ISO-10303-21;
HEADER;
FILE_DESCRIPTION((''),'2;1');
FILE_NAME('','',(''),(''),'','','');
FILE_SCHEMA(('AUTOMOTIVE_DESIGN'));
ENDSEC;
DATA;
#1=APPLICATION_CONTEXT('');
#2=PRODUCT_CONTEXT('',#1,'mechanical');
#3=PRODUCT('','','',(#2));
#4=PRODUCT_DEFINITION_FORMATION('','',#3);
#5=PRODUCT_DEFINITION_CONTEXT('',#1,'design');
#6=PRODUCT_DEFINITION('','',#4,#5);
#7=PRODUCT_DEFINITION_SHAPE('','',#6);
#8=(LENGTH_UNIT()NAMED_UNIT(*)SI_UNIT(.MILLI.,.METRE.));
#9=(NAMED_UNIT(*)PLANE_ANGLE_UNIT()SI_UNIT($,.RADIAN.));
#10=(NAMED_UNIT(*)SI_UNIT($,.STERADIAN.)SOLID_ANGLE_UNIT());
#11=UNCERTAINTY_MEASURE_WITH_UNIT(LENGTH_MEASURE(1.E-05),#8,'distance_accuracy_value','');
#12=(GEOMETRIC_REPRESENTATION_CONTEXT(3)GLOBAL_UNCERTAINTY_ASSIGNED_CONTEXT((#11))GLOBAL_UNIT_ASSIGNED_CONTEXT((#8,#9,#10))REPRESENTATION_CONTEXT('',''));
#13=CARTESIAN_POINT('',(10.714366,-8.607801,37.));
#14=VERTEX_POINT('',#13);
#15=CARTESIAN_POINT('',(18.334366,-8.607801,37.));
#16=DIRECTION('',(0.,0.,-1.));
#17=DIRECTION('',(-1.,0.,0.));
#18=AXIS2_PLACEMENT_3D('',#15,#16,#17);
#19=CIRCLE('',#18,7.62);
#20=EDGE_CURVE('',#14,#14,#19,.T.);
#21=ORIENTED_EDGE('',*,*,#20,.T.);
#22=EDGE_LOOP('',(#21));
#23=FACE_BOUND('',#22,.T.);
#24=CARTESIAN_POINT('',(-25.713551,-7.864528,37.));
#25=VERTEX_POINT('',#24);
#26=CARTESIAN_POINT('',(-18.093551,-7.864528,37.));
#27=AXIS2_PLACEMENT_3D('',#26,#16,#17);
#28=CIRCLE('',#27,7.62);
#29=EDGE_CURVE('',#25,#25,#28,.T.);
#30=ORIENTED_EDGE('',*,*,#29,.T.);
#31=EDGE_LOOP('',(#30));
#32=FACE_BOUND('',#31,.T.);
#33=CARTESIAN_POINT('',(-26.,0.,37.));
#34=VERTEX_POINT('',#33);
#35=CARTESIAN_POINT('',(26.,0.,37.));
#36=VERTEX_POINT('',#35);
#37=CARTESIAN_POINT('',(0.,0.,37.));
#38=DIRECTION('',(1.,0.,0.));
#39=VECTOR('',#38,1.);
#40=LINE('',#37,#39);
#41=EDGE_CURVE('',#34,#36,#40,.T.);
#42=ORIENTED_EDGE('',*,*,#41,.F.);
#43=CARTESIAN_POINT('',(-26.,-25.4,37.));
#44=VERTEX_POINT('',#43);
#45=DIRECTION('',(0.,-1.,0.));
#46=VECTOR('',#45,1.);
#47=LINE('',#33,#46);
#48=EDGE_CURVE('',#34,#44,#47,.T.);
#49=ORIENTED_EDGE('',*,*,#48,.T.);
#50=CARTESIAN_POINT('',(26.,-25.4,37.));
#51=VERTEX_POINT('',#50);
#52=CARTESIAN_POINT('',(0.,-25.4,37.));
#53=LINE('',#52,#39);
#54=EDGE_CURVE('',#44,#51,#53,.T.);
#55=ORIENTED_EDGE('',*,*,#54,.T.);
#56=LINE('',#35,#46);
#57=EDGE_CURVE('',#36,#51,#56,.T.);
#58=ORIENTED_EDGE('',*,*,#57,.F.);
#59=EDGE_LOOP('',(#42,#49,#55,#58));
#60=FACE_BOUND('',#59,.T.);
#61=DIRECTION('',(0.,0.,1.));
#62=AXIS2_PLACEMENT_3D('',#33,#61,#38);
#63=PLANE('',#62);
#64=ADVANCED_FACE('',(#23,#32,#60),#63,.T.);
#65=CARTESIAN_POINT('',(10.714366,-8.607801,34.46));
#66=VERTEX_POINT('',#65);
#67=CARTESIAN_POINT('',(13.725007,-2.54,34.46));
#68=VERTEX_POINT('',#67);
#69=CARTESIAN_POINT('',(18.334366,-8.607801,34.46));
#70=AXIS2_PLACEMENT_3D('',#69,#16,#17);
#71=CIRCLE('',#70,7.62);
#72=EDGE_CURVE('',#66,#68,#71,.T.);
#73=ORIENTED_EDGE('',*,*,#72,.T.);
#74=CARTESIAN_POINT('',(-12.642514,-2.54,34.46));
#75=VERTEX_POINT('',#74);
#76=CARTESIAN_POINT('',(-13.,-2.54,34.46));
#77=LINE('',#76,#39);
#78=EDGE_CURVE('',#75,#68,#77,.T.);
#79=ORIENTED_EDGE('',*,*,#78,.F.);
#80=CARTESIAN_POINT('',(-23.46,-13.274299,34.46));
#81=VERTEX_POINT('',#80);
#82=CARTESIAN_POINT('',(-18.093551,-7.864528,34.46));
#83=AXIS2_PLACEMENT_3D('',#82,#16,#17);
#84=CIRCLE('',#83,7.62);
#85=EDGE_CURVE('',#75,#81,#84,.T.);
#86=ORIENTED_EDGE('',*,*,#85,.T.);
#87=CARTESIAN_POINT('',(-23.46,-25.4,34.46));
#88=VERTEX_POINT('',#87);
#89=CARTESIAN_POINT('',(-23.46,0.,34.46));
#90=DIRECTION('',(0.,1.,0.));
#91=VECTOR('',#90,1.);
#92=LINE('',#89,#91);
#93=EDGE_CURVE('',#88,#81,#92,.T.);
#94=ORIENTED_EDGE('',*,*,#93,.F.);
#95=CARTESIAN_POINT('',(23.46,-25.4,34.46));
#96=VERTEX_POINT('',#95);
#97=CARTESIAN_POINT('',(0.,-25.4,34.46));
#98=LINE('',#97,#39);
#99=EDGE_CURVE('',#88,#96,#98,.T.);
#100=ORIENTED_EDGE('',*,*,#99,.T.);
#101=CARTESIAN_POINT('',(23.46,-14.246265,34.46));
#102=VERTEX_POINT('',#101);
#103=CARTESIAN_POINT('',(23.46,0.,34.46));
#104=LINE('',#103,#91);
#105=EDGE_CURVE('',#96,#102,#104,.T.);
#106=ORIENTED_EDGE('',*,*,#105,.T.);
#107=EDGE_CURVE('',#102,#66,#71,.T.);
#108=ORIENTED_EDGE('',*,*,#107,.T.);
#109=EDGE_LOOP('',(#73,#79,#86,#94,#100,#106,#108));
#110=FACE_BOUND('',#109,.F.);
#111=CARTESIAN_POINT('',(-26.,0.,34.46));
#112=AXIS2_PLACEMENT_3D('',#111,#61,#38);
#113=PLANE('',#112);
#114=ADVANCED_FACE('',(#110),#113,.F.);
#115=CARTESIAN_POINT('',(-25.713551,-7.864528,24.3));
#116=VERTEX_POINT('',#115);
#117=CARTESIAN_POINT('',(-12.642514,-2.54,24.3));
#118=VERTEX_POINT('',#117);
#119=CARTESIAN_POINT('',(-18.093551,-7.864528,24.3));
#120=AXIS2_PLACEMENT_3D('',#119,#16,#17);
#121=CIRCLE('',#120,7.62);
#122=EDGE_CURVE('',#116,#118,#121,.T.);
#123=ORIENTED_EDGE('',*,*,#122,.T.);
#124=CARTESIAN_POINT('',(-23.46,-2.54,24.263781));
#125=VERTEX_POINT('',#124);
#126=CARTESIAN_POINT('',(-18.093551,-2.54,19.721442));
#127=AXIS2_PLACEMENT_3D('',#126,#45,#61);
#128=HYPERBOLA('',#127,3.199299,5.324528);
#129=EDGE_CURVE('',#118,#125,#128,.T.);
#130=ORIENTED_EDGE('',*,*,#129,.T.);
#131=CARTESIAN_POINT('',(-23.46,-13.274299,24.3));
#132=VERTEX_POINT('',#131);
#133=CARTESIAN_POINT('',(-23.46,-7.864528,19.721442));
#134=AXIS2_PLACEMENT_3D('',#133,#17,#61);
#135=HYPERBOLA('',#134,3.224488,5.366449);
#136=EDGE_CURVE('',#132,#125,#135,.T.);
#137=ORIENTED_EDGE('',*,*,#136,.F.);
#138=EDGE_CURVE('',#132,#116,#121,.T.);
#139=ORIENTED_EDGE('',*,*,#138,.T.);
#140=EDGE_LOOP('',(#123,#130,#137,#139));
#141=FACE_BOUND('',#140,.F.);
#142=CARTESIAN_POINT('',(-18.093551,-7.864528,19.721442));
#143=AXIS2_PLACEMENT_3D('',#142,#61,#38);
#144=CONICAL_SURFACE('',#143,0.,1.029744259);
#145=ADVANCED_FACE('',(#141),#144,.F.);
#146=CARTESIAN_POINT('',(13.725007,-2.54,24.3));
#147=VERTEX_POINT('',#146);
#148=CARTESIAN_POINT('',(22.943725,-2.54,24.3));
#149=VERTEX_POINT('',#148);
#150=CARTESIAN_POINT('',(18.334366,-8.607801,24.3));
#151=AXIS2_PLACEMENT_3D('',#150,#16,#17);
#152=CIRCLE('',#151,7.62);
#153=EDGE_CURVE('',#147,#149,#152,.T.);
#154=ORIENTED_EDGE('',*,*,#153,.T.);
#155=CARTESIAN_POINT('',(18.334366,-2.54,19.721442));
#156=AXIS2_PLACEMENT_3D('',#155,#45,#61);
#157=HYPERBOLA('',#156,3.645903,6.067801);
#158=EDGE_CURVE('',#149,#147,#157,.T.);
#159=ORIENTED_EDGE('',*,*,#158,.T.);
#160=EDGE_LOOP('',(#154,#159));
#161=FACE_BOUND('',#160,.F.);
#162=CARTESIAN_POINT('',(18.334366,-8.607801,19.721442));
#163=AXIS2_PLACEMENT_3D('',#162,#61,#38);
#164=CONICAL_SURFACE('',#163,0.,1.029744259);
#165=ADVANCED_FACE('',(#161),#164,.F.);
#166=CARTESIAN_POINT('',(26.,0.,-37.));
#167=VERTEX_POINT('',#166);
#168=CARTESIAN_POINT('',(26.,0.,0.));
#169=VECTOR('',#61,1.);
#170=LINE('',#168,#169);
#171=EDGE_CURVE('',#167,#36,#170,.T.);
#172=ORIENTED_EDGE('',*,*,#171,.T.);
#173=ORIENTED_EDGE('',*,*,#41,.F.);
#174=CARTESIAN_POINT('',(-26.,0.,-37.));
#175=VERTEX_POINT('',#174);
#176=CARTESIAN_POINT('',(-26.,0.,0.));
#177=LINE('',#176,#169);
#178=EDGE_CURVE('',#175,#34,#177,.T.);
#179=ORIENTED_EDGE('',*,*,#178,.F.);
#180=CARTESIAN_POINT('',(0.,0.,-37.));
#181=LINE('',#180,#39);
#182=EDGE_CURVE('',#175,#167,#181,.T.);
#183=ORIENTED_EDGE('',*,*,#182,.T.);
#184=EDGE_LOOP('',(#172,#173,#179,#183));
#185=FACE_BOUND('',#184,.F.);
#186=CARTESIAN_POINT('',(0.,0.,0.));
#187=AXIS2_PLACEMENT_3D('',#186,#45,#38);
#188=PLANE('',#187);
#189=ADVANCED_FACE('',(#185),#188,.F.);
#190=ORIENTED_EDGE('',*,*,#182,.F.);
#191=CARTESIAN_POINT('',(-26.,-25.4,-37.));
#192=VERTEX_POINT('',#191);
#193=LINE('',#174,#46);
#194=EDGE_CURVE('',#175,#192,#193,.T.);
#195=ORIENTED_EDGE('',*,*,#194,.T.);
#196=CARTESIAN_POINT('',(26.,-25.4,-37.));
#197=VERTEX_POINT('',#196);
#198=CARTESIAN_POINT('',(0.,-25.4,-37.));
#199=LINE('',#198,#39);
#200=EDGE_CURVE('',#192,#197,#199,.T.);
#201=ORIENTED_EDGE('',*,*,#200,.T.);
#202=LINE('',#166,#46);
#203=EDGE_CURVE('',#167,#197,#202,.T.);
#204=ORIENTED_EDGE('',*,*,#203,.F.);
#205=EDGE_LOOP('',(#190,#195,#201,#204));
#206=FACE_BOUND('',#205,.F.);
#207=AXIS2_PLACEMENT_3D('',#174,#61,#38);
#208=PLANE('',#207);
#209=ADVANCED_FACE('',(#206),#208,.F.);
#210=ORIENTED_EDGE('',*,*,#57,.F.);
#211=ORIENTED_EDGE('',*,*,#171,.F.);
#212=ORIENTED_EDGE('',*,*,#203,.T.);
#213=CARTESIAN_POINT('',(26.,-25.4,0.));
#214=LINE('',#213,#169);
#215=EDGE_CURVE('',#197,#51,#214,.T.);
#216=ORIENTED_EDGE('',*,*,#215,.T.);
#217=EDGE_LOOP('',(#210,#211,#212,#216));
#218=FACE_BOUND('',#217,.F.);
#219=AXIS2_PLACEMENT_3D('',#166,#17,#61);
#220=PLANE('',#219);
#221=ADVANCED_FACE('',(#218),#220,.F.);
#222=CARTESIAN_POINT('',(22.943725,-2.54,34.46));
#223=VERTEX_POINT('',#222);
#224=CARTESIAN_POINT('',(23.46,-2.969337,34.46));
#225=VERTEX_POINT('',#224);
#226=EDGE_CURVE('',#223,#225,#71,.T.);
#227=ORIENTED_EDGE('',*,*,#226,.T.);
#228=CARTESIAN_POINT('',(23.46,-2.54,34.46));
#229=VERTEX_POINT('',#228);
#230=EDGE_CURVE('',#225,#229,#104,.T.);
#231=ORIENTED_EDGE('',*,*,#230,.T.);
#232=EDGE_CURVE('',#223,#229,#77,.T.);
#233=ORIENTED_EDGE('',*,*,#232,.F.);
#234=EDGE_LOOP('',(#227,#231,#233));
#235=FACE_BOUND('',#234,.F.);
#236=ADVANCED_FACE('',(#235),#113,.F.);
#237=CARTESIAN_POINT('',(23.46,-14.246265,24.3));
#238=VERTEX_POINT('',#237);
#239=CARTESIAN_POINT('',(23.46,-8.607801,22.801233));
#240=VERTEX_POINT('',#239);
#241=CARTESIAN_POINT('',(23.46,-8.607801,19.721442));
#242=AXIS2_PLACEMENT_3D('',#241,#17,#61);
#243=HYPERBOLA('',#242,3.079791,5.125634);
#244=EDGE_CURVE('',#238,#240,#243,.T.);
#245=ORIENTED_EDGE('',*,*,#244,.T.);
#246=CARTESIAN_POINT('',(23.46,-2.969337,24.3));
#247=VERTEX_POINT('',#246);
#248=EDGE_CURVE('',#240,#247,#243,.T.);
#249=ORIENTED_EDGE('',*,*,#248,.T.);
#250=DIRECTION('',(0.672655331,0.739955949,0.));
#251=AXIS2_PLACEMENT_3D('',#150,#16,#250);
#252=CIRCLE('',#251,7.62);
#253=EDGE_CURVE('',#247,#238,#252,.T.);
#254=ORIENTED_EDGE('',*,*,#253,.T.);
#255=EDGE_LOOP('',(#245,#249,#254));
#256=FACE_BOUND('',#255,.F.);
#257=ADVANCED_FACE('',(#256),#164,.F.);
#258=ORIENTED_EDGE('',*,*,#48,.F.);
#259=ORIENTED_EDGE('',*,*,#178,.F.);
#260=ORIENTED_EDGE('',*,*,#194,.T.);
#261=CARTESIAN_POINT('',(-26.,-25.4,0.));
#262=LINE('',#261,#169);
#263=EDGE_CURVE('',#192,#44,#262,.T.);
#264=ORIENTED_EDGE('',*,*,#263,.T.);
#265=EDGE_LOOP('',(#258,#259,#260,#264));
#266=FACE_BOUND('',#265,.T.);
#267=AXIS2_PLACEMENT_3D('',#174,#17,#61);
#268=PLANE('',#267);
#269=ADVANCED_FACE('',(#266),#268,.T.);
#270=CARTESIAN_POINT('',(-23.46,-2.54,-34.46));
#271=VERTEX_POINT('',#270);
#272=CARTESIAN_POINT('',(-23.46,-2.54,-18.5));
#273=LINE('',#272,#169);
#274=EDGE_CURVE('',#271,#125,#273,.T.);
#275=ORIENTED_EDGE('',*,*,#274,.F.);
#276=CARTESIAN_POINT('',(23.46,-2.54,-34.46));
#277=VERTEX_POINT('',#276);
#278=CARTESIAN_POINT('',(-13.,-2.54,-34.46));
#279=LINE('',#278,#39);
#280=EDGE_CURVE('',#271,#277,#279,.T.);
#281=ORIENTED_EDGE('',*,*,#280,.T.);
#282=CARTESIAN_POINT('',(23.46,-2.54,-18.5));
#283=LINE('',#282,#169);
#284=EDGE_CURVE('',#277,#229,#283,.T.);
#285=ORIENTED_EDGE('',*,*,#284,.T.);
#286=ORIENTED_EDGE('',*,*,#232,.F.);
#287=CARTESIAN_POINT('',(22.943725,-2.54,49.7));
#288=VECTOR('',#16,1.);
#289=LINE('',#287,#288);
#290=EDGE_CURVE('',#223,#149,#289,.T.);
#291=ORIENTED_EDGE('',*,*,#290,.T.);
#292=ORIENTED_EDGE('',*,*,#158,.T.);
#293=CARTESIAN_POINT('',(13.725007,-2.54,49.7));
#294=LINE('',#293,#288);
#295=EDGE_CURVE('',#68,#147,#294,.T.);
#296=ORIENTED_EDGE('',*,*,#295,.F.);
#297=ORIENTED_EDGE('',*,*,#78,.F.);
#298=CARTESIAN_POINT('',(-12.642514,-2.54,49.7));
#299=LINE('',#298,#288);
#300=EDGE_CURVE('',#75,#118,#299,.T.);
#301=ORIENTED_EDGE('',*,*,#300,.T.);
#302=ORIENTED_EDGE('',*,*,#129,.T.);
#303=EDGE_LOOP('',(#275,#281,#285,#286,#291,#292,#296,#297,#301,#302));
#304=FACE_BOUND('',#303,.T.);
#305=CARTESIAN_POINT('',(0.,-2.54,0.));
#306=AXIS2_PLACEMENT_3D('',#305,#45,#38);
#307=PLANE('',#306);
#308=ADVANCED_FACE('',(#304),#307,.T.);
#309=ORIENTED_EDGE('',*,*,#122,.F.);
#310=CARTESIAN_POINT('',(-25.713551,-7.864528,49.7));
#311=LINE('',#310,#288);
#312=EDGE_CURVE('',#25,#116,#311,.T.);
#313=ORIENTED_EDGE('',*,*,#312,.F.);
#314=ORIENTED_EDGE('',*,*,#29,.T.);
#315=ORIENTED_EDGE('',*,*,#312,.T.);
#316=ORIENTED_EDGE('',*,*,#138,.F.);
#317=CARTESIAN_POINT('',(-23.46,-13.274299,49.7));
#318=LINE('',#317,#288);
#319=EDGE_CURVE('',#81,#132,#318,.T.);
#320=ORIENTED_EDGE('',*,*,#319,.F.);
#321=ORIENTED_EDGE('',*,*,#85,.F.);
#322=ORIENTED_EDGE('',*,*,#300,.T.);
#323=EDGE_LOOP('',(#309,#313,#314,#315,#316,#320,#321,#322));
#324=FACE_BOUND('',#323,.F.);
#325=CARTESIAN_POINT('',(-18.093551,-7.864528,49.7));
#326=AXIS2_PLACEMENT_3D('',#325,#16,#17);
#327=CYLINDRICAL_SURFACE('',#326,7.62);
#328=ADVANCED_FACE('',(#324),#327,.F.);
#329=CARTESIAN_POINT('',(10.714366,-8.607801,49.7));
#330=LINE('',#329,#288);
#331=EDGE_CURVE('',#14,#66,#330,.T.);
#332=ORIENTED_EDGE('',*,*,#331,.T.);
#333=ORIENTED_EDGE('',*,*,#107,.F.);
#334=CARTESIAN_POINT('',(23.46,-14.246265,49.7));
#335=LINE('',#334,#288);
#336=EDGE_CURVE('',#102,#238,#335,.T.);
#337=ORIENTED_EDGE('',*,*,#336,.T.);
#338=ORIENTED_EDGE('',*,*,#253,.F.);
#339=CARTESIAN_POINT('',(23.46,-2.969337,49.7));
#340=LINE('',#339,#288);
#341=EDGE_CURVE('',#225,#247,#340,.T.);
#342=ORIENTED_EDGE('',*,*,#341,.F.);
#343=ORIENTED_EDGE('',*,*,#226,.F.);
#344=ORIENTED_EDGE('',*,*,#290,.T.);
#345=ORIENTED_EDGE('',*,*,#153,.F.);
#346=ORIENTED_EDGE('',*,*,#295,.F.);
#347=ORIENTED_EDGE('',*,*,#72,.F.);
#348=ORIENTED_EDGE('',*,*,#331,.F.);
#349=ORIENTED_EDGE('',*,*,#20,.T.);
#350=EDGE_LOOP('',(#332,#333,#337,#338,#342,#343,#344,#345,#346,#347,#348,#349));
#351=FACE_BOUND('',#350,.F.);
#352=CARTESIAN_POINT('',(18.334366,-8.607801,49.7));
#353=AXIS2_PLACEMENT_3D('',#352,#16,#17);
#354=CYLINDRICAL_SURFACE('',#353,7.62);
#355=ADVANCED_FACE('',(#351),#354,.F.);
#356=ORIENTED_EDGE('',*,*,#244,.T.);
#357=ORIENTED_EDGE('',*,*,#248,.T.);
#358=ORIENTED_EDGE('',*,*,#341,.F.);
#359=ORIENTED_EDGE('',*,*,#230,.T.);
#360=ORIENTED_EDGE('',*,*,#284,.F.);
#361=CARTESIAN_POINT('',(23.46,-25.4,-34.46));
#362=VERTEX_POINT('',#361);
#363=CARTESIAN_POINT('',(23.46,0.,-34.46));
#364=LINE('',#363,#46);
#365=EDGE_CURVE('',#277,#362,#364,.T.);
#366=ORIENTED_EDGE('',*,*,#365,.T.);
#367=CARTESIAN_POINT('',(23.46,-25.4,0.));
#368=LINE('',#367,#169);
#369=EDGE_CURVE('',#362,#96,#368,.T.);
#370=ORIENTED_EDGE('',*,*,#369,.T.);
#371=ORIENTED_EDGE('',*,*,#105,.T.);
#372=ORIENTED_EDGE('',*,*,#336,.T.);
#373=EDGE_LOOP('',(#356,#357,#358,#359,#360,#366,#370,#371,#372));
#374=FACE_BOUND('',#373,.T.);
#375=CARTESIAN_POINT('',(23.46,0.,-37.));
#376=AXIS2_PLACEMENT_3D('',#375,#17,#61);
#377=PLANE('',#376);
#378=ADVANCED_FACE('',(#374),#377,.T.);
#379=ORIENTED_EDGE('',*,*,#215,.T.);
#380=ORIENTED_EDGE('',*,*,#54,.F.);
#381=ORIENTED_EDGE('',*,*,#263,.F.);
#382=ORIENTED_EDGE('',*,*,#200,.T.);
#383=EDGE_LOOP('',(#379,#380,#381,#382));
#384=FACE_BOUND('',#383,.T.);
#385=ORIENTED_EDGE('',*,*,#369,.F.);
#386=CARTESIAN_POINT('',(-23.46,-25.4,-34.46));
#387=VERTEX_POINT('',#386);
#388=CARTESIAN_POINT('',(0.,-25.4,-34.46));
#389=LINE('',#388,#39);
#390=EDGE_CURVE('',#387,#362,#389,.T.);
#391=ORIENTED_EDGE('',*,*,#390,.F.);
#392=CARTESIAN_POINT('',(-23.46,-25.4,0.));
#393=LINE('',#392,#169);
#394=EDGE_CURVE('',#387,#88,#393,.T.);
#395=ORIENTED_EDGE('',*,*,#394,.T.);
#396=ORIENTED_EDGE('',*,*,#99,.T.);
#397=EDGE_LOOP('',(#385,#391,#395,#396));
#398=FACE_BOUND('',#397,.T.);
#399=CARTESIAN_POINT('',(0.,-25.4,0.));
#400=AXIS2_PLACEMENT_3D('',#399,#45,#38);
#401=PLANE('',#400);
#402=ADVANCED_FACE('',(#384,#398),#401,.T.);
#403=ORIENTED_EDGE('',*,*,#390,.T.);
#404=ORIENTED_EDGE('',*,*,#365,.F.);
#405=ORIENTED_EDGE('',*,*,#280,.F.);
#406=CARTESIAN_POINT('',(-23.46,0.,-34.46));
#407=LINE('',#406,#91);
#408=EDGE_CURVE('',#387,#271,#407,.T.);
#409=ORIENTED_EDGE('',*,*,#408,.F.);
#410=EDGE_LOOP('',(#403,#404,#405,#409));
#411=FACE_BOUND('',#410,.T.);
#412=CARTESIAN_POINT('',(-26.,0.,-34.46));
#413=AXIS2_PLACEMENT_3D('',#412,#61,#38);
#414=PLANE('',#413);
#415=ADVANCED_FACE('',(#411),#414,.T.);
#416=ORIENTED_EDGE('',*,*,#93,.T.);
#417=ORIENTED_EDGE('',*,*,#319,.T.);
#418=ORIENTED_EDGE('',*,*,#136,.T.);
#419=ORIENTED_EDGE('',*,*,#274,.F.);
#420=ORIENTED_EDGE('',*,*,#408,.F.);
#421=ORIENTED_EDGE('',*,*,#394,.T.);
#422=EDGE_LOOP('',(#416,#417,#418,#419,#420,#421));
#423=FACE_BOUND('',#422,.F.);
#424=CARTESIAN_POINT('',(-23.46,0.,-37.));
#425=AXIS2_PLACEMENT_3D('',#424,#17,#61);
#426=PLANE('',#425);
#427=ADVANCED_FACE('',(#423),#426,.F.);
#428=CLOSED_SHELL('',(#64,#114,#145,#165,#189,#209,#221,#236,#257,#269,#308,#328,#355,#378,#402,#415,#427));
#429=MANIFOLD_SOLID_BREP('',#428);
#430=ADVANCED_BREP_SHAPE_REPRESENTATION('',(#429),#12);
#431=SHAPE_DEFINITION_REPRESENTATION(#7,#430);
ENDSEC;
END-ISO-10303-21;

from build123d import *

# Parameters (mm, degrees)
F0_W     = 52
F0_H     = 74
F1_DEPTH = 25.4
F2_T     = -2.54
F4_D     = 15.24
F4_DEPTH = 12.7
F4_TIP   = 4.578557917


with BuildPart() as f1:
    # F0 (on Front) → F1 (new body)
    with BuildSketch(Plane.XZ):
        Rectangle(F0_W, F0_H)
    extrude(amount=F1_DEPTH)

    # F2
    f2_openings = [f1.faces().sort_by_distance(p)[0] for p in [
        (0, -25.4, 0),
    ]]
    offset(amount=F2_T, openings=f2_openings)

    # F4
    with Locations(Plane.XY.offset(37)):
        with Locations((-18.0935505778, -7.8645283356), (18.3343663812, -8.6078010499)):
            Hole(F4_D / 2, depth=F4_DEPTH)
            with Locations((0, 0, -(F4_DEPTH + F4_TIP / 2))):  # 118° drill point
                Cone(0, F4_D / 2, F4_TIP, mode=Mode.SUBTRACT)


solid = f1.part
